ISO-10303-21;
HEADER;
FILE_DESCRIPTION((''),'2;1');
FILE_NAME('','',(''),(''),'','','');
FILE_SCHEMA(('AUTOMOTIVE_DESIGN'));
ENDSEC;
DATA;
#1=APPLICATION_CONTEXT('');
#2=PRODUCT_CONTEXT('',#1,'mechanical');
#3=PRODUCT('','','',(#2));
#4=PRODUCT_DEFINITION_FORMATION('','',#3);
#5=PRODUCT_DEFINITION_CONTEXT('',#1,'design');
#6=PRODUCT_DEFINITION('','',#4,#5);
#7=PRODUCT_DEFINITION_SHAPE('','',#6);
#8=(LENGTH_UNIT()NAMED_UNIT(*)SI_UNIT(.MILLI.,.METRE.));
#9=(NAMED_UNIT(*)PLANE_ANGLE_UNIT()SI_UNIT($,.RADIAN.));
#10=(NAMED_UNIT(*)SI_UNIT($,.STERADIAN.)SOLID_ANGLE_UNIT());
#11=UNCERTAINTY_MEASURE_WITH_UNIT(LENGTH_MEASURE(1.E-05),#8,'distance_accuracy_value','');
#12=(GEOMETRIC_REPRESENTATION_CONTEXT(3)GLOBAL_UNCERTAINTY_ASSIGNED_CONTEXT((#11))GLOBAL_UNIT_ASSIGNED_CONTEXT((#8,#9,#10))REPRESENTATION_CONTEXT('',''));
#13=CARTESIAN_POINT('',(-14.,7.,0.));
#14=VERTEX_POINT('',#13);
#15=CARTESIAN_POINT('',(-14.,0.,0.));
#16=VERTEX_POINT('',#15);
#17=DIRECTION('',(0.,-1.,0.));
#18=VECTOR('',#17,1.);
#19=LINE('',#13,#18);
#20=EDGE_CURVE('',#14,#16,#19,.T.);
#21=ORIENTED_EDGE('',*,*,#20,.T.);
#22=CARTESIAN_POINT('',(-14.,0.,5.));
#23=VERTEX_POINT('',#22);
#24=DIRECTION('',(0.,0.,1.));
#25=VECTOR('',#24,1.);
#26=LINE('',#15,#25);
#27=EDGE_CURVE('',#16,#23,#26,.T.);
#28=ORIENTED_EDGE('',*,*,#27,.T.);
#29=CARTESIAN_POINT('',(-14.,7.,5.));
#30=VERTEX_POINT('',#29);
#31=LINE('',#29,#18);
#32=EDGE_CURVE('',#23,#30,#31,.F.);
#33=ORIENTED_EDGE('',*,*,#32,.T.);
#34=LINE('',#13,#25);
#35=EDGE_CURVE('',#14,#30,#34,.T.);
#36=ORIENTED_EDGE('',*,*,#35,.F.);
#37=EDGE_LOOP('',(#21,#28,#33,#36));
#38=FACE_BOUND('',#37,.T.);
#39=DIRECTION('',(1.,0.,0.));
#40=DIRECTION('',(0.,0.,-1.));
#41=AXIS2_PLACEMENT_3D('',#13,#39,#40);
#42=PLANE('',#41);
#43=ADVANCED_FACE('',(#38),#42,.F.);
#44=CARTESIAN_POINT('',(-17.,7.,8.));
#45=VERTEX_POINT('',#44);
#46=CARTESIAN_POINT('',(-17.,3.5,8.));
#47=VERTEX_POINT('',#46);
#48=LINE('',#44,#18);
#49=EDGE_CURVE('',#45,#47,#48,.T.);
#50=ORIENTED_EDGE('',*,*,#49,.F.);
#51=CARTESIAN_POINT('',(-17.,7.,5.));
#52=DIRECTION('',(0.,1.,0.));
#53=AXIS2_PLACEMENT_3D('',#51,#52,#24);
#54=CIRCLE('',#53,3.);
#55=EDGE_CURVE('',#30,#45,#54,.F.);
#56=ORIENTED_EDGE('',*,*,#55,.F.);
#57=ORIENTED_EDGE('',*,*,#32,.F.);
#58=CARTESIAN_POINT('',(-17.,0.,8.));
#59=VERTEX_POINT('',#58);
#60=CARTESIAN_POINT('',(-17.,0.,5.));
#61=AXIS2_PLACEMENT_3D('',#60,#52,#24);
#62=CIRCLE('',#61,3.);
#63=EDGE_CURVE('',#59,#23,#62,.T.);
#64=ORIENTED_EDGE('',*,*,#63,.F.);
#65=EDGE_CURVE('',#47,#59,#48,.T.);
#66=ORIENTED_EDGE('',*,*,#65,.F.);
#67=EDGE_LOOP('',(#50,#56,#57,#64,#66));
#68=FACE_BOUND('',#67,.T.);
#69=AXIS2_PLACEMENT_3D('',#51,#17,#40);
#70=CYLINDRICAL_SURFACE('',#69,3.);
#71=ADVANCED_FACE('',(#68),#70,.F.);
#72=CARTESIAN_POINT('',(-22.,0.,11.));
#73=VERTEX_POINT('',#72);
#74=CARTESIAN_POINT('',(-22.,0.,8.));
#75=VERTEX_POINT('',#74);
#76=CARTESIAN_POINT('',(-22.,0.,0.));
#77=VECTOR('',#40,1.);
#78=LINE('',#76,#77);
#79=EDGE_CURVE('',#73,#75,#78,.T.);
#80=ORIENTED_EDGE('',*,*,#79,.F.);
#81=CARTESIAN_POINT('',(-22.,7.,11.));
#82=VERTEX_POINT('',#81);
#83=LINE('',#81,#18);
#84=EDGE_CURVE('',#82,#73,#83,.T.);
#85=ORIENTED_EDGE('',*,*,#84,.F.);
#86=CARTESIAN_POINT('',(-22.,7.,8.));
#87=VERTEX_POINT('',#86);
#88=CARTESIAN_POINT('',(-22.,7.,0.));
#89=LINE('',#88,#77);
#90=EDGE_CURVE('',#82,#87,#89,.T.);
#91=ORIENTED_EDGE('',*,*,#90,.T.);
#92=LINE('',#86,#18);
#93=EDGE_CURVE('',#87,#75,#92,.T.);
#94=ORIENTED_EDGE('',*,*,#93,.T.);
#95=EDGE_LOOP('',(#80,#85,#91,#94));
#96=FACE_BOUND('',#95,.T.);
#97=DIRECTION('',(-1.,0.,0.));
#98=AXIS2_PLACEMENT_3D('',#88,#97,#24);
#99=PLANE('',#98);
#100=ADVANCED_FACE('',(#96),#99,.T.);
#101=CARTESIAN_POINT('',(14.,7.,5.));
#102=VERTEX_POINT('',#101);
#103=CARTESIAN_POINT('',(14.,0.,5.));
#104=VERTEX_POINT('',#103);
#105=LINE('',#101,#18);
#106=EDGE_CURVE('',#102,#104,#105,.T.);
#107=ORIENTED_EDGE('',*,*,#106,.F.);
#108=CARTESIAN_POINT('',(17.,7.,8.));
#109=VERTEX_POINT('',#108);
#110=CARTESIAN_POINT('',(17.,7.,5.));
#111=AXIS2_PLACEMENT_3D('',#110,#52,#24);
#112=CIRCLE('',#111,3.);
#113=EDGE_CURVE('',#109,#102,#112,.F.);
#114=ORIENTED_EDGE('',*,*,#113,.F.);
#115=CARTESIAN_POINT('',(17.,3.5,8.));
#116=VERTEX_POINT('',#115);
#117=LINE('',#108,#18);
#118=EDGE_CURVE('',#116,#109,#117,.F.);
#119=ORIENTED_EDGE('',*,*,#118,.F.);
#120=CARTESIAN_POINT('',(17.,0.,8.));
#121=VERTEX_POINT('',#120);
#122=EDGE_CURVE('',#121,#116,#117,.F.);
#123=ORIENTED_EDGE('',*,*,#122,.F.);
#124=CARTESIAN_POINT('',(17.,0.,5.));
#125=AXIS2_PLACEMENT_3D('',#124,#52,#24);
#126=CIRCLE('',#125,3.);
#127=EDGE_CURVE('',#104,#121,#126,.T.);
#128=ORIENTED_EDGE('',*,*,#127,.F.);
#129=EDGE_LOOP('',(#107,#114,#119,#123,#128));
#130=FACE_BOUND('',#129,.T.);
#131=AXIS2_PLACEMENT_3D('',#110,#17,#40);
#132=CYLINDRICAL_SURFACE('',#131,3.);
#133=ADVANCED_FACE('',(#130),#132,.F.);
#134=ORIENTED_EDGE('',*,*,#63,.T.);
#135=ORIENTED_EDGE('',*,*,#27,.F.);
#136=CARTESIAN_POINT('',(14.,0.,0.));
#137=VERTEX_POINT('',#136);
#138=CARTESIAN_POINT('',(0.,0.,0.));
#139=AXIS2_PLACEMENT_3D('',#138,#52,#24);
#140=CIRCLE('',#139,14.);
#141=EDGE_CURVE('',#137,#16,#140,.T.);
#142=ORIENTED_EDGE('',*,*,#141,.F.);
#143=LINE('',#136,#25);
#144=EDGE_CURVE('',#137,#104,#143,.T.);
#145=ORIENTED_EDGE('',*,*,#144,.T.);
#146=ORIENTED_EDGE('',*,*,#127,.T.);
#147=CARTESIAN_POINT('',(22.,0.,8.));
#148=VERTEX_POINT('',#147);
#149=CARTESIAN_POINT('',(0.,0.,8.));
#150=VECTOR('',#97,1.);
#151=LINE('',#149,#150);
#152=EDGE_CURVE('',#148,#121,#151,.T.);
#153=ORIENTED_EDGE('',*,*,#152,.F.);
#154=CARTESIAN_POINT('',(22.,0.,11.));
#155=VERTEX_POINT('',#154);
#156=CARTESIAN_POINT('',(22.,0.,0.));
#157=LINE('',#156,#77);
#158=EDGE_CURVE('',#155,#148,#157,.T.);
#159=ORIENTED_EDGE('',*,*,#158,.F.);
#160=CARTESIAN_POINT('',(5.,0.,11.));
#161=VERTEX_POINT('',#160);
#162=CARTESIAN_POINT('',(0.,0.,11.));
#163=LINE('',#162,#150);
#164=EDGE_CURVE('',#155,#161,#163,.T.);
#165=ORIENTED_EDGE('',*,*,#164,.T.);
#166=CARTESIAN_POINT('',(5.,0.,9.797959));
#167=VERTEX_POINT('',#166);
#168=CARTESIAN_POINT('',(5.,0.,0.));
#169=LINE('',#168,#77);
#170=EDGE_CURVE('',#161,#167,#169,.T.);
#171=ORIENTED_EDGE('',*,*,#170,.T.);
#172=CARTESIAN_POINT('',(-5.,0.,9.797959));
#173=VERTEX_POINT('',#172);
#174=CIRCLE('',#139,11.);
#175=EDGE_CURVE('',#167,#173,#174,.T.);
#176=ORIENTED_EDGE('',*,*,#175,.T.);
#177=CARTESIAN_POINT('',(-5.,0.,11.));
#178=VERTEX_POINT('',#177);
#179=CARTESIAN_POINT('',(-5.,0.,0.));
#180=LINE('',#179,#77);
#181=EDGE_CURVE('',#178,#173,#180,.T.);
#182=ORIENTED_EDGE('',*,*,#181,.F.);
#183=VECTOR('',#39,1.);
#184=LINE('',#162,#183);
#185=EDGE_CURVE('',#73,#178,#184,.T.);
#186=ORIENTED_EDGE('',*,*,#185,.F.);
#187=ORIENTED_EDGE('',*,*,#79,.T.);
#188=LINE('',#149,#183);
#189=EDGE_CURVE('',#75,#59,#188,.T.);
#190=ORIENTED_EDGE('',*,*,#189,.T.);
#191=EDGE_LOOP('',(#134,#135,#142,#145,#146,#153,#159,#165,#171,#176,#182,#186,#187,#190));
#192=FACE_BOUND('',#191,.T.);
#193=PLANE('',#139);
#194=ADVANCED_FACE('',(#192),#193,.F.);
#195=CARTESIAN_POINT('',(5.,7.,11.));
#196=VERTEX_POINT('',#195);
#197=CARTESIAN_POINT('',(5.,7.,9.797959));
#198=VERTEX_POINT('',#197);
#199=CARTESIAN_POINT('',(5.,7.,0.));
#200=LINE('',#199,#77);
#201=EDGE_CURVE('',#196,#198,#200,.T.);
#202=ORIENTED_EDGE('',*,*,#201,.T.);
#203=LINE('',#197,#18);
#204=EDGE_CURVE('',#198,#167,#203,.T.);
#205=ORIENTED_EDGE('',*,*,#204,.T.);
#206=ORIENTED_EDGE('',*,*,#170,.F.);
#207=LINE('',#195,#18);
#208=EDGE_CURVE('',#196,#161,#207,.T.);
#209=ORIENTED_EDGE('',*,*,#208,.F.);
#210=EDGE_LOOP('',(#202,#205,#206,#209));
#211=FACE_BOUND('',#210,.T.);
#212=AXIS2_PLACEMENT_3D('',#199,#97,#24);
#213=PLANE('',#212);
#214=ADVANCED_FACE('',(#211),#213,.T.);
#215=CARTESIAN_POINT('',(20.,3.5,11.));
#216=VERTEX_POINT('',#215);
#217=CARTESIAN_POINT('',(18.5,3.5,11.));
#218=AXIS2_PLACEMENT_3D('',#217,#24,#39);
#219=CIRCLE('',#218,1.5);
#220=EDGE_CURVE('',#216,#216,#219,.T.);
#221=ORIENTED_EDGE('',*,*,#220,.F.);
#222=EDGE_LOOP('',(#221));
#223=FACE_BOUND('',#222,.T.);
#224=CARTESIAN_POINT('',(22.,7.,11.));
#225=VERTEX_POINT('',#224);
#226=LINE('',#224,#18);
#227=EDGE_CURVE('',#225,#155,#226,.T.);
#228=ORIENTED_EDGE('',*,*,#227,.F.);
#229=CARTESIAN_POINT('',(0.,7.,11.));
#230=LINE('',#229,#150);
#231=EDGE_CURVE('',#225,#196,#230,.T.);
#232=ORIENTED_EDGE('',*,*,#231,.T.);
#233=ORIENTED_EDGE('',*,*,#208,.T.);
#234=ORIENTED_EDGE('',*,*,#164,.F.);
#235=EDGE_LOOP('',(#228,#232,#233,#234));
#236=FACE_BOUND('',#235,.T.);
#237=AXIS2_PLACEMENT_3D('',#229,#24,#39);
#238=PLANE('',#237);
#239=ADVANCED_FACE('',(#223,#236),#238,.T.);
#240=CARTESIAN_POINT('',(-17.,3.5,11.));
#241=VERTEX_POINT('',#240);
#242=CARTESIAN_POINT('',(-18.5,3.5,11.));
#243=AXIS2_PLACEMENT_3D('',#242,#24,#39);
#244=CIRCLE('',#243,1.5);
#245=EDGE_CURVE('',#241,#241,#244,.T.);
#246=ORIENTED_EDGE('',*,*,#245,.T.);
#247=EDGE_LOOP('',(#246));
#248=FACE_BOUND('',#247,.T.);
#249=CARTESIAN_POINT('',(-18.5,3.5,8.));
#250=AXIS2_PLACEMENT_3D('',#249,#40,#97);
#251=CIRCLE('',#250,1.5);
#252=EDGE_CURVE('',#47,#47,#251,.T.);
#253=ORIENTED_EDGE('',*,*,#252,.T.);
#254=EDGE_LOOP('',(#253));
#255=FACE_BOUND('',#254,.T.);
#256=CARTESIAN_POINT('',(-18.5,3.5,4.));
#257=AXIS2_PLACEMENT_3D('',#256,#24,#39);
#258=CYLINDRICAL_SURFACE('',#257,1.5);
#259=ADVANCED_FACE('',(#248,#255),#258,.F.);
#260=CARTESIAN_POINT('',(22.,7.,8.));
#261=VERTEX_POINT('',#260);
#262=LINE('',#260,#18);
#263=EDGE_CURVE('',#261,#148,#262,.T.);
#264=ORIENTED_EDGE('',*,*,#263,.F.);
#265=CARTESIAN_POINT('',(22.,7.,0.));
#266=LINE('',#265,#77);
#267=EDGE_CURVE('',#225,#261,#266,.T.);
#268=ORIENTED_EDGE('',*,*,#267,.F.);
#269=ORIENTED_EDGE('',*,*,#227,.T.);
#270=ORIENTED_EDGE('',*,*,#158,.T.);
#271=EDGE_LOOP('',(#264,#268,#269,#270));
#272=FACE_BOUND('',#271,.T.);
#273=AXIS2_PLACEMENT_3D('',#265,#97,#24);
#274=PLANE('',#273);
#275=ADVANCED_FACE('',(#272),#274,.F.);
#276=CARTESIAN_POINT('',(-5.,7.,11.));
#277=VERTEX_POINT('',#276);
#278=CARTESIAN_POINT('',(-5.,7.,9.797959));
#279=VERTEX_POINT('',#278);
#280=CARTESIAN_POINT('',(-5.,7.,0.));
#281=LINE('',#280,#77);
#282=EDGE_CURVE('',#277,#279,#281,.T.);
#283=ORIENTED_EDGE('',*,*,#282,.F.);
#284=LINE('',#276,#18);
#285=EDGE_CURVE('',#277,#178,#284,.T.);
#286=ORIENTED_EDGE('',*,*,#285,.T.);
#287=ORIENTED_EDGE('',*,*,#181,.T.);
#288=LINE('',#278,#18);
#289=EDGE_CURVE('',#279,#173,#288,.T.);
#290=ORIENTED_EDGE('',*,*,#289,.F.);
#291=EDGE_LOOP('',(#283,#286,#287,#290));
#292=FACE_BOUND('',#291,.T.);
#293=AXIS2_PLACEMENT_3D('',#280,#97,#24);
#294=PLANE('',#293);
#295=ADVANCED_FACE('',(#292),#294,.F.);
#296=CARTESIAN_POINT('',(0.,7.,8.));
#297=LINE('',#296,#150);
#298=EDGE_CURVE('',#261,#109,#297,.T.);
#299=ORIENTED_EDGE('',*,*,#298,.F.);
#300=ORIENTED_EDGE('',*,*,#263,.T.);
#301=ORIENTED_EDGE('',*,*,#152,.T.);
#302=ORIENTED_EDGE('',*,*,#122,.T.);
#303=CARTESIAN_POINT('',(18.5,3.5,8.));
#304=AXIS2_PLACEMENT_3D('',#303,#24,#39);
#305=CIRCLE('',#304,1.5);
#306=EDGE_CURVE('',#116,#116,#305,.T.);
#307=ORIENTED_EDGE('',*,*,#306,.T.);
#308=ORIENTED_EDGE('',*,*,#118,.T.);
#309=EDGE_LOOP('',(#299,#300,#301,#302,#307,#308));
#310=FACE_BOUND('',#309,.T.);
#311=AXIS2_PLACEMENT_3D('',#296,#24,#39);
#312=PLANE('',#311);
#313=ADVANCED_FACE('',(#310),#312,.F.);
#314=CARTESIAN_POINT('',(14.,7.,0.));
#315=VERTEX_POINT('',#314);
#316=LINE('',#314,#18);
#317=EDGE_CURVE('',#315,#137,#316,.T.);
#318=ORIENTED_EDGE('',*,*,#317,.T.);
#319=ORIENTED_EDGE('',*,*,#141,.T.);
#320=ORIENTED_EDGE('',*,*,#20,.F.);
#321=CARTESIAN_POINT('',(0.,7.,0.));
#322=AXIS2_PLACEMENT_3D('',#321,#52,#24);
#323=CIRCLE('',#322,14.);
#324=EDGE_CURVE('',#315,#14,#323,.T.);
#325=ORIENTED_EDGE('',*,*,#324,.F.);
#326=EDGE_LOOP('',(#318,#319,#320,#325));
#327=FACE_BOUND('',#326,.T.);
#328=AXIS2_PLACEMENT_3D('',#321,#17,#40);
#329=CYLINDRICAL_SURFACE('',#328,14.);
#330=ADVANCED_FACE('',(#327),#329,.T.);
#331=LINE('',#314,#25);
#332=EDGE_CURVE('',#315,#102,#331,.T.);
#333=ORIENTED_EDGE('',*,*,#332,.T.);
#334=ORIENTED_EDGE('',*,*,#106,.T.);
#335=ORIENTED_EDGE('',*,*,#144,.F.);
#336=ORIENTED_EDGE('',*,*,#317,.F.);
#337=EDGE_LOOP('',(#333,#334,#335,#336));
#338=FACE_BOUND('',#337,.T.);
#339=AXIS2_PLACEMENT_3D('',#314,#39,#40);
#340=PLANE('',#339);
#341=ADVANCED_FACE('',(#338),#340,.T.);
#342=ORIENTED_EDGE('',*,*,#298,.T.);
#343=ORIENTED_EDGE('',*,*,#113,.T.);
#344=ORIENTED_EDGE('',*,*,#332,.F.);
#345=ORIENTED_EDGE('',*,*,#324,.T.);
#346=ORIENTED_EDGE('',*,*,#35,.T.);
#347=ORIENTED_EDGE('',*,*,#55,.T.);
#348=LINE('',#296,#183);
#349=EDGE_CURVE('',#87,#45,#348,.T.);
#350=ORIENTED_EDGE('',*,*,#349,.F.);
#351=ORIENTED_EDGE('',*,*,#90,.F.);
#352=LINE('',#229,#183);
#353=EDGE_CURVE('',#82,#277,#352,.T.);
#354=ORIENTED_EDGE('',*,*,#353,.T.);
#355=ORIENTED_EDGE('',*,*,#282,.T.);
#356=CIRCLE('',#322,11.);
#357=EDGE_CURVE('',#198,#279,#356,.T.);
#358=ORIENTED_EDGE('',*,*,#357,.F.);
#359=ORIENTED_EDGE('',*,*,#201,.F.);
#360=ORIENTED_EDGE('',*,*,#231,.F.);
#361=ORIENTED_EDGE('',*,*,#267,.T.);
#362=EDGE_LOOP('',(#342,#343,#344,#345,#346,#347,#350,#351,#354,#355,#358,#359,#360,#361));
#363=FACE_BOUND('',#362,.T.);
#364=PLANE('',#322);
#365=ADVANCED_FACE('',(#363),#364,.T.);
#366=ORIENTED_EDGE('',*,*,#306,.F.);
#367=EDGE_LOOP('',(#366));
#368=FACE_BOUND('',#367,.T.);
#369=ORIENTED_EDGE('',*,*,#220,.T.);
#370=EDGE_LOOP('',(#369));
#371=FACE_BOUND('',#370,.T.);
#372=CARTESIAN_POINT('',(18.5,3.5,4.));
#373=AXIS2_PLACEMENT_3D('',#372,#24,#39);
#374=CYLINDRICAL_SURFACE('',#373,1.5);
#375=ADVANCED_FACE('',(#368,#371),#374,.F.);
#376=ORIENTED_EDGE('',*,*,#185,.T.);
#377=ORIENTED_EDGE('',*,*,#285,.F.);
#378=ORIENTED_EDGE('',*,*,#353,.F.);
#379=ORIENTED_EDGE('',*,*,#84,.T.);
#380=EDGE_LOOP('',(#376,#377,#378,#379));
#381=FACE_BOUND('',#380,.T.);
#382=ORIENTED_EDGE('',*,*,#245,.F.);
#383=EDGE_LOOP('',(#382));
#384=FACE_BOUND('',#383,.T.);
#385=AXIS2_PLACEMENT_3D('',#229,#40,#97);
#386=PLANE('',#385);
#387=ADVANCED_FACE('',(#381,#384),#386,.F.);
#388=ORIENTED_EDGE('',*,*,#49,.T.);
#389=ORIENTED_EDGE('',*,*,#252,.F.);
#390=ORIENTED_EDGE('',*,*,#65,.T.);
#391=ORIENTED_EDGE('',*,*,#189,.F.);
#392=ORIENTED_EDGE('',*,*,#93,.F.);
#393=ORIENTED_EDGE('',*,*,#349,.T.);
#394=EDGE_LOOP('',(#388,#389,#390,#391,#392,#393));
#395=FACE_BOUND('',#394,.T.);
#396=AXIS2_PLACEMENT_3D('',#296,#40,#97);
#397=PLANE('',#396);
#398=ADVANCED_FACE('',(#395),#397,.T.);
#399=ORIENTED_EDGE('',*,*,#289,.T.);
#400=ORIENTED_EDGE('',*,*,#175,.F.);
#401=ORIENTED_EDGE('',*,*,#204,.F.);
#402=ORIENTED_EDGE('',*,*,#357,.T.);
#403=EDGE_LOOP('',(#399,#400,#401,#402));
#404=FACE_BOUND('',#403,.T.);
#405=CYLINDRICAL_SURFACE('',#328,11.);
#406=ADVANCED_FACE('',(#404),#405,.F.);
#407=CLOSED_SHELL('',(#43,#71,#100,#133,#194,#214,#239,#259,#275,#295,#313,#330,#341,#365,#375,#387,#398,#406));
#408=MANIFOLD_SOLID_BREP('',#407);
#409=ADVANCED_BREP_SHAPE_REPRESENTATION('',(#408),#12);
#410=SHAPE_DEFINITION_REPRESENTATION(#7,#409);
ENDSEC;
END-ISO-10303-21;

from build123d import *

# Parameters (mm, degrees)
SKETCH1_W           = 8
SKETCH1_H           = 3
BOSS_EXTRUDE2_DEPTH = 7
FILLET3_R           = 3
FILLET4_R           = 3
SKETCH3_R           = 1.5
CUT_EXTRUDE1_DEPTH  = 7


with BuildPart() as part:
    # Sketch1 → Boss-Extrude2 (new body)
    with BuildSketch(Plane(origin=(0, 0, 0), x_dir=(1, 0, 0), z_dir=(0, 1, 0))):
        with Locations((-18, -9.5)):
            Rectangle(SKETCH1_W, SKETCH1_H)
        with BuildLine():
            Line((-14, -8), (-11.489125293, -8))
            ThreePointArc((-11.489125293, -8), (-13.357540082, -4.192388692), (-14, 0))
            Line((-14, 0), (-14, -8))
        make_face()
        with BuildLine():
            Line((-14, -11), (-8.660254038, -11))
            ThreePointArc((-8.660254038, -11), (-10.185743559, -9.604719056), (-11.489125293, -8))
            Line((-11.489125293, -8), (-14, -8))
            Line((-14, -8), (-14, -11))
        make_face()
        with BuildLine():
            ThreePointArc((-11.489125293, -8), (-10.185743559, -9.604719056), (-8.660254038, -11))
            Line((-8.660254038, -11), (-5, -11))
            Line((-5, -11), (-5, -9.797958971))
            ThreePointArc((-5, -9.797958971), (-6.338986528, -8.989841478), (-7.549834435, -8))
            Line((-7.549834435, -8), (-11.489125293, -8))
        make_face()
        with BuildLine():
            ThreePointArc((-14, 0), (-13.357540082, -4.192388692), (-11.489125293, -8))
            Line((-11.489125293, -8), (-7.549834435, -8))
            ThreePointArc((-7.549834435, -8), (-10.100697471, -4.356134824), (-11, 0))
            Line((-11, 0), (-14, 0))
        make_face()
        with BuildLine():
            Line((11, 0), (14, 0))
            ThreePointArc((14, 0), (0, 14), (-14, 0))
            Line((-14, 0), (-11, 0))
            ThreePointArc((-11, 0), (0, 11), (11, 0))
        make_face()
        with BuildLine():
            Line((7.549834435, -8), (11.489125293, -8))
            ThreePointArc((11.489125293, -8), (13.357540082, -4.192388692), (14, 0))
            Line((14, 0), (11, 0))
            ThreePointArc((11, 0), (10.100697471, -4.356134824), (7.549834435, -8))
        make_face()
        with BuildLine():
            Line((5, -11), (8.660254038, -11))
            ThreePointArc((8.660254038, -11), (10.185743559, -9.604719056), (11.489125293, -8))
            Line((11.489125293, -8), (7.549834435, -8))
            ThreePointArc((7.549834435, -8), (6.338986528, -8.989841478), (5, -9.797958971))
            Line((5, -9.797958971), (5, -11))
        make_face()
        with BuildLine():
            Line((11.489125293, -8), (14, -8))
            Line((14, -8), (14, 0))
            ThreePointArc((14, 0), (13.357540082, -4.192388692), (11.489125293, -8))
        make_face()
        with BuildLine():
            Line((8.660254038, -11), (14, -11))
            Line((14, -11), (14, -8))
            Line((14, -8), (11.489125293, -8))
            ThreePointArc((11.489125293, -8), (10.185743559, -9.604719056), (8.660254038, -11))
        make_face()
        with Locations((18, -9.5)):
            Rectangle(SKETCH1_W, SKETCH1_H)
    extrude(amount=BOSS_EXTRUDE2_DEPTH)

    # Fillet3
    fillet3_edges = [part.edges().sort_by_distance(p)[0] for p in [
        (14, 3.5, 8),
    ]]
    fillet(fillet3_edges, radius=FILLET3_R)

    # Fillet4
    fillet4_edges = [part.edges().sort_by_distance(p)[0] for p in [
        (-14, 3.5, 8),
    ]]
    fillet(fillet4_edges, radius=FILLET4_R)

    # Sketch3 → Cut-Extrude1 (cut)
    with BuildSketch(Plane.XY.offset(11)):
        with Locations((-18.5, 3.5)):
            Circle(SKETCH3_R)
        with Locations((18.5, 3.5)):
            Circle(SKETCH3_R)
    extrude(amount=-CUT_EXTRUDE1_DEPTH, mode=Mode.SUBTRACT)


solid = part.part
